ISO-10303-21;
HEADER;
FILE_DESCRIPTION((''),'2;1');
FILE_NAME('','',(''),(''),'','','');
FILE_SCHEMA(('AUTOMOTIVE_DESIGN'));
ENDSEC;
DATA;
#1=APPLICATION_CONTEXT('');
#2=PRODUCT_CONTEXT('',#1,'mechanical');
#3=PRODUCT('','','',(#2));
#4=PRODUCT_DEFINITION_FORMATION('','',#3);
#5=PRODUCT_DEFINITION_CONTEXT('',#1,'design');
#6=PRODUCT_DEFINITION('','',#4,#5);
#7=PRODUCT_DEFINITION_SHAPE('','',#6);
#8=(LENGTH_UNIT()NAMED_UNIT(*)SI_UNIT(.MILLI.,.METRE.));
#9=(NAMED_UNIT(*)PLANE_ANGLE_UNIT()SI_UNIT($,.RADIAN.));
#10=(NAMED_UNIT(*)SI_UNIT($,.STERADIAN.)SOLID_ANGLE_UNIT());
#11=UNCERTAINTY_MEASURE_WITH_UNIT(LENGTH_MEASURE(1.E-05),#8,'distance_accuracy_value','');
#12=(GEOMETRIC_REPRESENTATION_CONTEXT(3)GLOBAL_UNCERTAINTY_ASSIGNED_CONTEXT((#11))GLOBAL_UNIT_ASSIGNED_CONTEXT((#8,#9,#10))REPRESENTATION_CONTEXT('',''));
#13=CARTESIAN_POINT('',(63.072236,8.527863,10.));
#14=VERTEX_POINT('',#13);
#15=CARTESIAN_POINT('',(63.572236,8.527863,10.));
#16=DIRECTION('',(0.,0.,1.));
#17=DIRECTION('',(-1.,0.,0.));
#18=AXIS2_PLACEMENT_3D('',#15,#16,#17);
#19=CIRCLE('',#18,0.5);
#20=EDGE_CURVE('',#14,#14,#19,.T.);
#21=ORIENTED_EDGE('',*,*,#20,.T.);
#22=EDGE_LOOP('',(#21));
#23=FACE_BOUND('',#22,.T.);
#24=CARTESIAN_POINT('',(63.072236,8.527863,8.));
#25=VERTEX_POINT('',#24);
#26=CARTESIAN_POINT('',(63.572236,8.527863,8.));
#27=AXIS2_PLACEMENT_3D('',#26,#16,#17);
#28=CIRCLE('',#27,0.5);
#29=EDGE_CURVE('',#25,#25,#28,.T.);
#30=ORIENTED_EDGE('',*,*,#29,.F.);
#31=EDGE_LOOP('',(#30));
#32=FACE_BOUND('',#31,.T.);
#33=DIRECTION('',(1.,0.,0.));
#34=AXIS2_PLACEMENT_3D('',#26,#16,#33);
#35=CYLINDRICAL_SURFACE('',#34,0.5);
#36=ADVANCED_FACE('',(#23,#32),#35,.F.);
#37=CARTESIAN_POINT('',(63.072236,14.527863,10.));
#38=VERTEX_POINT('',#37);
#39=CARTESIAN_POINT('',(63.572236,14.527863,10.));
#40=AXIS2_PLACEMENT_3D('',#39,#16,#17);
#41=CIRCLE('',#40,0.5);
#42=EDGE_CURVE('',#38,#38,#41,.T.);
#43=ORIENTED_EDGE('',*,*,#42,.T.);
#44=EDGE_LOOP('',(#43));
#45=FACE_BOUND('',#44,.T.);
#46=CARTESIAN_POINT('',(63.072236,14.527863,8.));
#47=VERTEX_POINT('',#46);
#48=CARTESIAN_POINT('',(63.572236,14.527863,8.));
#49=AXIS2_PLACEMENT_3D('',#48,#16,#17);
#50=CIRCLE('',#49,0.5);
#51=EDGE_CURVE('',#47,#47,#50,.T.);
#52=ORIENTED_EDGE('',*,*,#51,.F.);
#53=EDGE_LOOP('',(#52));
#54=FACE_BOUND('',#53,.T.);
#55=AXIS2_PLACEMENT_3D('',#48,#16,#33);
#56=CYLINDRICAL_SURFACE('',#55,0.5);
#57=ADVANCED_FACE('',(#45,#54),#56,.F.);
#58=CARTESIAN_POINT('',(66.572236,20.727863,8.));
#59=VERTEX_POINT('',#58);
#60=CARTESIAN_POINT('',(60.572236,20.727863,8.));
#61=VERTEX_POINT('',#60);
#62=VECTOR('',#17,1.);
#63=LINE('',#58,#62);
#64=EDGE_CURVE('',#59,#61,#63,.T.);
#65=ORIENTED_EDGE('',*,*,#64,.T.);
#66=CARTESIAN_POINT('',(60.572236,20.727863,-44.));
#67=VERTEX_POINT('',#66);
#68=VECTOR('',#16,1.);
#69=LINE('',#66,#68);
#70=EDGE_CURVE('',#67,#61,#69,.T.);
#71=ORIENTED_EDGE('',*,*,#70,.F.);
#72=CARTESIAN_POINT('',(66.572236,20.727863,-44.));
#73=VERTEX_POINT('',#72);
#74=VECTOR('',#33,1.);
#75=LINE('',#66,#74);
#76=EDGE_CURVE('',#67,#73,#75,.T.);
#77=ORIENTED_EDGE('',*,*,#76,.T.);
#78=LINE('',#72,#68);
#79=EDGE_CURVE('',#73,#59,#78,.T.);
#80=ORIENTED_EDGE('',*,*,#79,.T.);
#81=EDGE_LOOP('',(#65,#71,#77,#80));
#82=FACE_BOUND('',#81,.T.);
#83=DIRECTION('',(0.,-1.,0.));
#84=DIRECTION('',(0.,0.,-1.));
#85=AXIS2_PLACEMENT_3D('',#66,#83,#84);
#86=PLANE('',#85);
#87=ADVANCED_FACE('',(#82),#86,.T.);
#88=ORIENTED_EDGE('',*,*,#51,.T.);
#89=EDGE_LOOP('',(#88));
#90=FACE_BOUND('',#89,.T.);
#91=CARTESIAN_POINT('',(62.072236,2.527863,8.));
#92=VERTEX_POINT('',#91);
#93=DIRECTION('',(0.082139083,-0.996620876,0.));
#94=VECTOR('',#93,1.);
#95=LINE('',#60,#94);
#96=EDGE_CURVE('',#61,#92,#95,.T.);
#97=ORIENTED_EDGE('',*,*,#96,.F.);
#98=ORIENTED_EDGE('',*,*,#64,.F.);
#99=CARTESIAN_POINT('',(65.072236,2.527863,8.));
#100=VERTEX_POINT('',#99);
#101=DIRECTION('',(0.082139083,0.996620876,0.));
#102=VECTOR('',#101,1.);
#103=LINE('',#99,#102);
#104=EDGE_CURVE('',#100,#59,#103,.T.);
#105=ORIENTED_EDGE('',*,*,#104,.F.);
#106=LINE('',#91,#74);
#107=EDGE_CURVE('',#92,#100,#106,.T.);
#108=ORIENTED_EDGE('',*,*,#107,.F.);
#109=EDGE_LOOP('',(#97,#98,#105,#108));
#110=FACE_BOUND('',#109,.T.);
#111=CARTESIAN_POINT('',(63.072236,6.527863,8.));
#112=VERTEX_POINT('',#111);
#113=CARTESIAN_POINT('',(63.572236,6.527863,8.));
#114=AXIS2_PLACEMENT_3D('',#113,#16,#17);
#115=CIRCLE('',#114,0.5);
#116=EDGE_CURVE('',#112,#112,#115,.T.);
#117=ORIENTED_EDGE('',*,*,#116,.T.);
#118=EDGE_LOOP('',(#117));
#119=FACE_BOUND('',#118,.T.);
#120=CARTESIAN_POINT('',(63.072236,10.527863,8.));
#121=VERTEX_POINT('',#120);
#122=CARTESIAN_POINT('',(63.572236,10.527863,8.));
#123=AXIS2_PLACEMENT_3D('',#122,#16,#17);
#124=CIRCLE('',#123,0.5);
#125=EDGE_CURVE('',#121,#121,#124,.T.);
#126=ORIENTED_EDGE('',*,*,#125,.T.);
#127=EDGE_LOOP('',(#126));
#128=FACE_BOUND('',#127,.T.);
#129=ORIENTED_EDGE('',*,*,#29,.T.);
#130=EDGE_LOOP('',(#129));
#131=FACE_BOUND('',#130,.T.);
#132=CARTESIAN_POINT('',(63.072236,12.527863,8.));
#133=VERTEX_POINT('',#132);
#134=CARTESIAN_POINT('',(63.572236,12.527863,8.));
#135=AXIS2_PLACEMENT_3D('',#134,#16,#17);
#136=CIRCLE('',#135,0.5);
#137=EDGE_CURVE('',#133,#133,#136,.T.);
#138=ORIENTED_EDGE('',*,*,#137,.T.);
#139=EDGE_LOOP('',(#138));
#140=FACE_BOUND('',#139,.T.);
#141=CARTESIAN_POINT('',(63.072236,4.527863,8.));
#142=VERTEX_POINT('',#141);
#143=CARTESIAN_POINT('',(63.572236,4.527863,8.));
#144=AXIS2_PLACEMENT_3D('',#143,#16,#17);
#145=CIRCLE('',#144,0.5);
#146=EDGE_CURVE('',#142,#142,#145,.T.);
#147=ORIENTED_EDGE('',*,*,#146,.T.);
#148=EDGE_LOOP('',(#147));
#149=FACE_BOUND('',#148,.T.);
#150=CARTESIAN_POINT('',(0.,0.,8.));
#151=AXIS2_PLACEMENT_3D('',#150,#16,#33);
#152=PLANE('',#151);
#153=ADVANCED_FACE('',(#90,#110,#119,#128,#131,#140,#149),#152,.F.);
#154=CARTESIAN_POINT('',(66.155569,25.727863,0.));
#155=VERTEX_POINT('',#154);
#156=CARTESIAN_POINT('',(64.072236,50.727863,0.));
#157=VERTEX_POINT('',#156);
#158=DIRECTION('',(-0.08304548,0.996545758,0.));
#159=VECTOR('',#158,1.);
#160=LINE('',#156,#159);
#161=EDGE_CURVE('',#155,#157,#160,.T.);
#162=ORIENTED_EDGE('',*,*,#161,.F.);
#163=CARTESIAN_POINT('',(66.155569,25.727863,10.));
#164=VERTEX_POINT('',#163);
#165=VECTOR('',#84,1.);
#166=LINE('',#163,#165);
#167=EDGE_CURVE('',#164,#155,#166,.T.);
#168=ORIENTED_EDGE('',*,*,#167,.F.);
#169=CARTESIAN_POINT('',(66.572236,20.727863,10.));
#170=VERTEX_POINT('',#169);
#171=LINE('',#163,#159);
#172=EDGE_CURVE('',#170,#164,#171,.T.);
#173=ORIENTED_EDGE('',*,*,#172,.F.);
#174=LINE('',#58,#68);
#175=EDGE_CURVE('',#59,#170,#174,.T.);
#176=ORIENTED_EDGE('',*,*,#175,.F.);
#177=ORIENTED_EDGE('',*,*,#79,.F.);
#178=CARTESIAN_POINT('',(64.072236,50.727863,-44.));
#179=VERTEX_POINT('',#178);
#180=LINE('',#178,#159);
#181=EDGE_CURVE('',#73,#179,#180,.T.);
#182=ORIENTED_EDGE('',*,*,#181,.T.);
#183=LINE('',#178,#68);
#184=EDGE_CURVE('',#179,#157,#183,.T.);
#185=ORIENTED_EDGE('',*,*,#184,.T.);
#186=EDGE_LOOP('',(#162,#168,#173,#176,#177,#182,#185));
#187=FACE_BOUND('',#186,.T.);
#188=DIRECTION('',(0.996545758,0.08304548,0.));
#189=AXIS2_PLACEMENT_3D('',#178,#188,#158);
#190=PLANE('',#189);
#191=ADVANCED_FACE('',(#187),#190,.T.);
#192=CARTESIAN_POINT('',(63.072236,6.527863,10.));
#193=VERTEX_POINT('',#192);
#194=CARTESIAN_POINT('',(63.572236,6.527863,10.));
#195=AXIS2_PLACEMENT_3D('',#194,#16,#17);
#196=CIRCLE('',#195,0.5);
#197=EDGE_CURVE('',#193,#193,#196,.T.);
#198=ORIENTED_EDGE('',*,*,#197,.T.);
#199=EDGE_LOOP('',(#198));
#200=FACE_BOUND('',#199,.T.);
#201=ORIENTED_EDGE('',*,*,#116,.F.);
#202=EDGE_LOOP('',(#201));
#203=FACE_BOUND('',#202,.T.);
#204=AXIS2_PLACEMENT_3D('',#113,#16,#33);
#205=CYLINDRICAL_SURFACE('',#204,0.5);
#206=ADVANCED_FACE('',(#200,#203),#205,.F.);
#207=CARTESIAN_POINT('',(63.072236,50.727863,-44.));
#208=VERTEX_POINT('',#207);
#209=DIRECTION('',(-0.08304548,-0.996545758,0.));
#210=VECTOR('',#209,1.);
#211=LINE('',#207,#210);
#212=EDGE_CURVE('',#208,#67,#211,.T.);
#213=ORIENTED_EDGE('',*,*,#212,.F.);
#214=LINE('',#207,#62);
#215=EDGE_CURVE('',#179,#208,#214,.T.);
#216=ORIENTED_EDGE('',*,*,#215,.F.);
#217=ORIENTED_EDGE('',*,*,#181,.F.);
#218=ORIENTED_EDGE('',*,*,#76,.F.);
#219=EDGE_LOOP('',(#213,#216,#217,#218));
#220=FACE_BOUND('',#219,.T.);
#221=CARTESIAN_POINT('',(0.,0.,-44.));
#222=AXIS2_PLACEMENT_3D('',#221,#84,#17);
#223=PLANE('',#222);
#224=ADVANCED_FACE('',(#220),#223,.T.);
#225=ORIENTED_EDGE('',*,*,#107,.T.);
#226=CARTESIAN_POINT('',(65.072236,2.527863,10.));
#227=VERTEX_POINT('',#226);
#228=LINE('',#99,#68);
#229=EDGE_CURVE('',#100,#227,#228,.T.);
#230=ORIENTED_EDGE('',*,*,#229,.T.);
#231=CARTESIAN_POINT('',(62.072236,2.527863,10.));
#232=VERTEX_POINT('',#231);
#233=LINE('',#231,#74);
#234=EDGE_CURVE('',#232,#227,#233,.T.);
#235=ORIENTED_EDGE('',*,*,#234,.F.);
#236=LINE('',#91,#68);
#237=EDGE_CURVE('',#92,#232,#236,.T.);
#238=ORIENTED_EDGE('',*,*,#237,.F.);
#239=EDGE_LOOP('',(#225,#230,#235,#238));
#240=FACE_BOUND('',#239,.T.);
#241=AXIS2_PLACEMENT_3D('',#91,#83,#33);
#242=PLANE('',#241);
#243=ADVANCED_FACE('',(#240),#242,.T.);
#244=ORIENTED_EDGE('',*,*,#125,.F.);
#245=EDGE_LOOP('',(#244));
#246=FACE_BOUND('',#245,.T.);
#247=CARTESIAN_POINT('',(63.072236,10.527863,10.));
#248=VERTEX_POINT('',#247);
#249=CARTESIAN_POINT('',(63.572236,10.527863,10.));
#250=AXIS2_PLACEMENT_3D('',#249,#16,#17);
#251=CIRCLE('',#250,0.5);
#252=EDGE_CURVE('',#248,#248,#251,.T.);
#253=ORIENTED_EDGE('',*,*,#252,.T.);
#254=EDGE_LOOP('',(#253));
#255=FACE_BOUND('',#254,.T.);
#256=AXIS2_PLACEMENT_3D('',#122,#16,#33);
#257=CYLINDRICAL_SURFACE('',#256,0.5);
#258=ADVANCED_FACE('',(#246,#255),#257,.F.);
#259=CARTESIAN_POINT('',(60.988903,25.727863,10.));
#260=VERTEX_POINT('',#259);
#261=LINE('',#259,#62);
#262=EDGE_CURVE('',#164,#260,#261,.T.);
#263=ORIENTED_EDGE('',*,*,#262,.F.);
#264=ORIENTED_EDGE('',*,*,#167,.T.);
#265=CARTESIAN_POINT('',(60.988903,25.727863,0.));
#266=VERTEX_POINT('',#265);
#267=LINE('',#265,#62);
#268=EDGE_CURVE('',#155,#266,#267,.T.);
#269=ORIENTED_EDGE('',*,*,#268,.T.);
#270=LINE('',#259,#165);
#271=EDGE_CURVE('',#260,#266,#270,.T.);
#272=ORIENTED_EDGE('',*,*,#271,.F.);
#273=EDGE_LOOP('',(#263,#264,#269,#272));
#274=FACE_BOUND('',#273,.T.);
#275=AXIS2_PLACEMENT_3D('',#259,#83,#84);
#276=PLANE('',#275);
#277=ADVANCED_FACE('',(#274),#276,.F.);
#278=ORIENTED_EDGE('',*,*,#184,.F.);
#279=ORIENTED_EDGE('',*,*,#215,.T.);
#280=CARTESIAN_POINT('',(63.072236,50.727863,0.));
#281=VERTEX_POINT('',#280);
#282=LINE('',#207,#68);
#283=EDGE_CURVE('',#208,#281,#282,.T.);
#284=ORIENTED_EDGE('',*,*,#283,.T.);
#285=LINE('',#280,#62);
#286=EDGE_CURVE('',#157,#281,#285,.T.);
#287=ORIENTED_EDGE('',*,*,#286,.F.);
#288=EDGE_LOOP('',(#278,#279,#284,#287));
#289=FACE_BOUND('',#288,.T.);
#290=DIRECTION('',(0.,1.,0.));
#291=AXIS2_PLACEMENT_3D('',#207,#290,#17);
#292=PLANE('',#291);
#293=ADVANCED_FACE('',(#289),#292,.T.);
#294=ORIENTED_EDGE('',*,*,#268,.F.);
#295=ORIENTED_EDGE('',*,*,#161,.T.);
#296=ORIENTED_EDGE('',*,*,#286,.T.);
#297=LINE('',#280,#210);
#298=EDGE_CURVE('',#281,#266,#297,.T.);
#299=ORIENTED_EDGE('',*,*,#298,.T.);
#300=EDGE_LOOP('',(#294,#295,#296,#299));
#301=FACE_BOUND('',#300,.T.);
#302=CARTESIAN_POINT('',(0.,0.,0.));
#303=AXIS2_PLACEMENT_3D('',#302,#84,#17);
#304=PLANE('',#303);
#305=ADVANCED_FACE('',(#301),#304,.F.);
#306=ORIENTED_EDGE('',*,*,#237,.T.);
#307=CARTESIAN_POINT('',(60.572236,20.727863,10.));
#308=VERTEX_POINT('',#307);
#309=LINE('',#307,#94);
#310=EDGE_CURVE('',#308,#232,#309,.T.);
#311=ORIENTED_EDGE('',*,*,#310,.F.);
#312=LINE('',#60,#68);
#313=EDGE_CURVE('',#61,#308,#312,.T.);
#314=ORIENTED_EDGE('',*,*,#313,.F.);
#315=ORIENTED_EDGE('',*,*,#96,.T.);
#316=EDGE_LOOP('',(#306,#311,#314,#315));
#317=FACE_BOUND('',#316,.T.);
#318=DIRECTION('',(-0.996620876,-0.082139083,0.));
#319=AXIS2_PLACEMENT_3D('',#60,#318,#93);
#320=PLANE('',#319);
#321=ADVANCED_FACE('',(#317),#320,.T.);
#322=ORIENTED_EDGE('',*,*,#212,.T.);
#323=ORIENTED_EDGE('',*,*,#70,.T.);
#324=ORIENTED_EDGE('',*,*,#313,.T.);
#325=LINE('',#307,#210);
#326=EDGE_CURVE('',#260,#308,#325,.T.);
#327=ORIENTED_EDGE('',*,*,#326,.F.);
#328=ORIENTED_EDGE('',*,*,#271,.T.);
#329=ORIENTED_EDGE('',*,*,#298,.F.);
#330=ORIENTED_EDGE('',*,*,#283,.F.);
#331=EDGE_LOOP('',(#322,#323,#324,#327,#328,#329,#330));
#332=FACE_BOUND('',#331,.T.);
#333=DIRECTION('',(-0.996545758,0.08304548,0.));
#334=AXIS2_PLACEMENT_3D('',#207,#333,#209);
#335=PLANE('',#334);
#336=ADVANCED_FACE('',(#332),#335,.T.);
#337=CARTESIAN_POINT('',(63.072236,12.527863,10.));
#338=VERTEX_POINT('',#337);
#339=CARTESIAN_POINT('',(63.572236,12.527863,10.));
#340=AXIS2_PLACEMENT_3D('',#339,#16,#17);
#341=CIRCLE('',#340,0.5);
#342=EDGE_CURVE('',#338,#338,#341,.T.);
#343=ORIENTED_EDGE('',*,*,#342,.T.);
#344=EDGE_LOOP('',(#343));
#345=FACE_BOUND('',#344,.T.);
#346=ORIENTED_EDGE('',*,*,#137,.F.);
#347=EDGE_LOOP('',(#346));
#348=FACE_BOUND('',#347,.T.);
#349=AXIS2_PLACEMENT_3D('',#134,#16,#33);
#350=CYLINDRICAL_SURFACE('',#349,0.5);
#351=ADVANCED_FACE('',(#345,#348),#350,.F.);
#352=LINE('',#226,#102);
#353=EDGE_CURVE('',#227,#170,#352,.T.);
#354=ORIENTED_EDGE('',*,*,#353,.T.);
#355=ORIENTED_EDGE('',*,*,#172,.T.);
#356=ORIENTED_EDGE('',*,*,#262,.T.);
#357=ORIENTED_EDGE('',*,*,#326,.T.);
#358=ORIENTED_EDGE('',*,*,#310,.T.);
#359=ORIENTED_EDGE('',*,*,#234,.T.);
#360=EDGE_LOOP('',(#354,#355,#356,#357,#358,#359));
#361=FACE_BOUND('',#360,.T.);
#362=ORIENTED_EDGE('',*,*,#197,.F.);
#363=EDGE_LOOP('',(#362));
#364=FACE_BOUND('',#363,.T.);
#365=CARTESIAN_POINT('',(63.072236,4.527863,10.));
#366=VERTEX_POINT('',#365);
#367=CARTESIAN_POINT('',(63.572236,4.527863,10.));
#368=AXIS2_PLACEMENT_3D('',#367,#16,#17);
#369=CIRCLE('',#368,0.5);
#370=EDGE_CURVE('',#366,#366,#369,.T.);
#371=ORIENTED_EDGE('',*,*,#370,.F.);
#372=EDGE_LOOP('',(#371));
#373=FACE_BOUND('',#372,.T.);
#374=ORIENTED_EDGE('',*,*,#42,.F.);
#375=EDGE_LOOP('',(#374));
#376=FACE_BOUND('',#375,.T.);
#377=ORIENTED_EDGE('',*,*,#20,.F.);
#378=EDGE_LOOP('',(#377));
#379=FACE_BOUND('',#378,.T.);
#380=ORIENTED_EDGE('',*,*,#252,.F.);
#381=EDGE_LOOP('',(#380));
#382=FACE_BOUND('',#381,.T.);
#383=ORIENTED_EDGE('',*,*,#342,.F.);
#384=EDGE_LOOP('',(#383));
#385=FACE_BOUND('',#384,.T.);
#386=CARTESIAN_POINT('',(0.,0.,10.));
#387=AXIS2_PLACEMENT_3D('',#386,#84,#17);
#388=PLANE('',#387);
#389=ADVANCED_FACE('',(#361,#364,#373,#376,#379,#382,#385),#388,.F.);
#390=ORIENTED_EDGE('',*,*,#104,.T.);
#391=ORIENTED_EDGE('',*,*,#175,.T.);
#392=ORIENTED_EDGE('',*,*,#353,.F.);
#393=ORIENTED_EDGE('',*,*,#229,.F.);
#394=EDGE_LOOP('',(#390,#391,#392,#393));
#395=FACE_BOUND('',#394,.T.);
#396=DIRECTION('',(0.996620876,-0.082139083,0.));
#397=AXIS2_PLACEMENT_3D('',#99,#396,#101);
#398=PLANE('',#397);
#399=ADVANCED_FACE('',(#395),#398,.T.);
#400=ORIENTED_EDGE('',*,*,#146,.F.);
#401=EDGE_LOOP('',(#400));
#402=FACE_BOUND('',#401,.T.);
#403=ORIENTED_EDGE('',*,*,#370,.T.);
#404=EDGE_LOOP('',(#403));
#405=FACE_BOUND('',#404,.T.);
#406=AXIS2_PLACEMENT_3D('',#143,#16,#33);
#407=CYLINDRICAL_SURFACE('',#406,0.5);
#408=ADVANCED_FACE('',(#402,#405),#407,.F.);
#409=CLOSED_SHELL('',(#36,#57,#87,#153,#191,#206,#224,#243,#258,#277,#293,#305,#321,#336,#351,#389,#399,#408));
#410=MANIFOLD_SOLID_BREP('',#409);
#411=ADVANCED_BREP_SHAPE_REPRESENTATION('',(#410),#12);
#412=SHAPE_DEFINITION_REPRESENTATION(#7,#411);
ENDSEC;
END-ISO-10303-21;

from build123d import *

# Parameters (mm, degrees)
BOSS_EXTRUDE1_DEPTH = 44
BOSS_EXTRUDE3_DEPTH = 10
SKETCH4_R           = 0.5
BOSS_EXTRUDE4_DEPTH = 2


with BuildPart() as part:
    # Sketch1 → Boss-Extrude1 (new body)
    with BuildSketch(Plane.XY):
        Polygon((63.072235962, 50.72786335), (64.072235962, 50.72786335), (66.572235962, 20.72786335), (60.572235962, 20.72786335), align=None)
    extrude(amount=-BOSS_EXTRUDE1_DEPTH)

    # Sketch3 → Boss-Extrude3 (add)
    with BuildSketch(Plane.XY):
        Polygon((60.572235962, 20.72786335), (60.988902629, 25.72786335), (66.155569295, 25.72786335), (66.572235962, 20.72786335), align=None)
    extrude(amount=BOSS_EXTRUDE3_DEPTH)

    # Sketch4 → Boss-Extrude4 (add)
    with BuildSketch(Plane.XY.offset(10)):
        Polygon((66.572235962, 20.72786335), (60.572235962, 20.72786335), (62.072235962, 2.52786335), (65.072235962, 2.52786335), align=None)
        with Locations(Location((63.572235962, 14.52786335, 0), (0, 0, 180))):
            Circle(SKETCH4_R, mode=Mode.SUBTRACT)
        with Locations(Location((63.572235962, 12.52786335, 0), (0, 0, 180))):
            Circle(SKETCH4_R, mode=Mode.SUBTRACT)
        with Locations(Location((63.572235962, 10.52786335, 0), (0, 0, 180))):
            Circle(SKETCH4_R, mode=Mode.SUBTRACT)
        with Locations(Location((63.572235962, 8.52786335, 0), (0, 0, 180))):
            Circle(SKETCH4_R, mode=Mode.SUBTRACT)
        with Locations(Location((63.572235962, 4.52786335, 0), (0, 0, 180))):
            Circle(SKETCH4_R, mode=Mode.SUBTRACT)
        with Locations(Location((63.572235962, 6.52786335, 0), (0, 0, 180))):
            Circle(SKETCH4_R, mode=Mode.SUBTRACT)
    extrude(amount=-BOSS_EXTRUDE4_DEPTH)


solid = part.part
